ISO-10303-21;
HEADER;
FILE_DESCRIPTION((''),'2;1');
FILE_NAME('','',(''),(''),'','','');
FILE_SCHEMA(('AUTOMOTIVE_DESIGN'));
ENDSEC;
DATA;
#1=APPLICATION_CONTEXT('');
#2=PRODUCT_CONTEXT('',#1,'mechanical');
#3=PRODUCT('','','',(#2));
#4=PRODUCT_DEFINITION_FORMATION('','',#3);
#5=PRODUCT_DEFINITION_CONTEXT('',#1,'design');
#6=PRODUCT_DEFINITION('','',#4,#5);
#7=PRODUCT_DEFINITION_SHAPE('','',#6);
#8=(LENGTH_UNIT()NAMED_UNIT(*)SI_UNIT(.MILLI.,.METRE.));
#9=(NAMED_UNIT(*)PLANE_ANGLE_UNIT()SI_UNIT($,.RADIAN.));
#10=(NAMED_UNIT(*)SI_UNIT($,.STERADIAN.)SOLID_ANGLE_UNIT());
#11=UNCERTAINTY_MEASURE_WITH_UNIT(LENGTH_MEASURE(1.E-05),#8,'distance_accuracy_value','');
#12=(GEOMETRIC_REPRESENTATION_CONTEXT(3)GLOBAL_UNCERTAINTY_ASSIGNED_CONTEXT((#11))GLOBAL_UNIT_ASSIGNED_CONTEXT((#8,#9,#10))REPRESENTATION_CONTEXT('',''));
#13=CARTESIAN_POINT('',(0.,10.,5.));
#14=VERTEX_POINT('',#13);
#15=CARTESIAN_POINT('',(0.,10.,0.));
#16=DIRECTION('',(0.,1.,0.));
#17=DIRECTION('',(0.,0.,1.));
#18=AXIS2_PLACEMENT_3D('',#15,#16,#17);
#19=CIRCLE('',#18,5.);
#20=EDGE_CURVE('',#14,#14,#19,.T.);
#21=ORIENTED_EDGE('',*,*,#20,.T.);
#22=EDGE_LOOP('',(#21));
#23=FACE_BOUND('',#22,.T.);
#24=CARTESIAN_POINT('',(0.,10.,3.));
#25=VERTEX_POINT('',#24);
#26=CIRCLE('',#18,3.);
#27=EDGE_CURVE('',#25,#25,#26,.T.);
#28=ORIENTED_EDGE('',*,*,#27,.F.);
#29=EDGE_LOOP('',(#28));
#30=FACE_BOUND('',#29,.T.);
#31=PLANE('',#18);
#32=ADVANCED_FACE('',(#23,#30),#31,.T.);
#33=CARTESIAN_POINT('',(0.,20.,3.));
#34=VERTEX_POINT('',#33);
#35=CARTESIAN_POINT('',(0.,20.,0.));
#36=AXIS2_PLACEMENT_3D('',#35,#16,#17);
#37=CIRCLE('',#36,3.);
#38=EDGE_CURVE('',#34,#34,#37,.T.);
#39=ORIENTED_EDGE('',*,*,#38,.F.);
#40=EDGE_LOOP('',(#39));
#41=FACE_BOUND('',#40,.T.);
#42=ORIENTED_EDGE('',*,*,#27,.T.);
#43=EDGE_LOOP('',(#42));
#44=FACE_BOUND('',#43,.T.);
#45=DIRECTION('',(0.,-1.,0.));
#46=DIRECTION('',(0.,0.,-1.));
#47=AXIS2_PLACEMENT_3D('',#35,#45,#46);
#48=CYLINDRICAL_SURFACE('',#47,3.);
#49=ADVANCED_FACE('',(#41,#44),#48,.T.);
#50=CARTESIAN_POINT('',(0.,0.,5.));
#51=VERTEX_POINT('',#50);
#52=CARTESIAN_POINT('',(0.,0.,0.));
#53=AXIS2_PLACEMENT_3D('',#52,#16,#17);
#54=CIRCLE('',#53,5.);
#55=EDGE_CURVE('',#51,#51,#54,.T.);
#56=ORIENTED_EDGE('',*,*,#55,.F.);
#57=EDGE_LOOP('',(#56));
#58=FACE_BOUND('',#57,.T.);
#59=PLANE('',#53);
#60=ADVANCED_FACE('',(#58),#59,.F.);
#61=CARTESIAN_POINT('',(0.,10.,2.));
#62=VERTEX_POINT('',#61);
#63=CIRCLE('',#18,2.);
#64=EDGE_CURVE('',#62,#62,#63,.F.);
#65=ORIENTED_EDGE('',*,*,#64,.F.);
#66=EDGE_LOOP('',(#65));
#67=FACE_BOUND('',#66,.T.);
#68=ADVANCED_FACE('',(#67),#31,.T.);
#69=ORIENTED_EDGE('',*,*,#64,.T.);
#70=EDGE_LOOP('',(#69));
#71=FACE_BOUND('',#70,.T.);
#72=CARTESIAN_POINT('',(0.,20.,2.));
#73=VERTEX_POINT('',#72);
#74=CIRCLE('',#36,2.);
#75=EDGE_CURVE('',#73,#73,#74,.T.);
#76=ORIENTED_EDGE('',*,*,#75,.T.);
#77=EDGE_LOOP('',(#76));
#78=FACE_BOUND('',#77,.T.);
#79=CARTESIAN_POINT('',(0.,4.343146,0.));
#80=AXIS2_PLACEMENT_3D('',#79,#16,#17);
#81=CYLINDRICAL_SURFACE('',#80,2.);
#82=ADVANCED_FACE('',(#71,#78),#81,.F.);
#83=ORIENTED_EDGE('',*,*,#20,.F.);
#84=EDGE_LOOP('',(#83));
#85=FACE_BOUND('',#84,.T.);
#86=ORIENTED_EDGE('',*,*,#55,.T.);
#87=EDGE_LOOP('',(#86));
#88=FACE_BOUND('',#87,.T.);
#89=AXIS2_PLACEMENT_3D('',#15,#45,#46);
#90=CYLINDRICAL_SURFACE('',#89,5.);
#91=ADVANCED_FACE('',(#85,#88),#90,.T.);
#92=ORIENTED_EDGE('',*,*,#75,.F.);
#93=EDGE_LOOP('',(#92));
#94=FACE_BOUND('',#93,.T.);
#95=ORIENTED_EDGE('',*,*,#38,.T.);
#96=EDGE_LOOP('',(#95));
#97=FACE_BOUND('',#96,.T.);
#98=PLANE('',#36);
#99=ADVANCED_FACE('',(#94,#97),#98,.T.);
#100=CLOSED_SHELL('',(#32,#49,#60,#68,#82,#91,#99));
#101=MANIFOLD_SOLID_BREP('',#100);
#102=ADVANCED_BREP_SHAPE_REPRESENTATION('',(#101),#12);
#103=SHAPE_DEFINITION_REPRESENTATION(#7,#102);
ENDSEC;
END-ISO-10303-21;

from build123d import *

# Parameters (mm, degrees)
SKETCH_1_R          = 5
EXTRUDE_1_DEPTH     = 10
SKETCH_2_R          = 3
EXTRUDE_2_DEPTH     = 10
SKETCH_3_R          = 2
CUT_EXTRUDE_1_DEPTH = 10


with BuildPart() as part:
    # 草图1 → 凸台-拉伸1 (new body)
    with BuildSketch(Plane(origin=(0, 0, 0), x_dir=(1, 0, 0), z_dir=(0, 1, 0))):
        with Locations(Location((0, 0, 0), (0, 0, 270))):
            Circle(SKETCH_1_R)
    extrude(amount=EXTRUDE_1_DEPTH)

    # 草图2 → 凸台-拉伸2 (add)
    with BuildSketch(Plane(origin=(0, 10, 0), x_dir=(1, 0, 0), z_dir=(0, 1, 0))):
        with Locations(Location((0, 0, 0), (0, 0, 270))):
            Circle(SKETCH_2_R)
    extrude(amount=EXTRUDE_2_DEPTH)

    # 草图3 → 切除-拉伸1 (cut)
    with BuildSketch(Plane(origin=(0, 20, 0), x_dir=(1, 0, 0), z_dir=(0, 1, 0))):
        with Locations(Location((0, 0, 0), (0, 0, 270))):
            Circle(SKETCH_3_R)
    extrude(amount=-CUT_EXTRUDE_1_DEPTH, mode=Mode.SUBTRACT)


solid = part.part
